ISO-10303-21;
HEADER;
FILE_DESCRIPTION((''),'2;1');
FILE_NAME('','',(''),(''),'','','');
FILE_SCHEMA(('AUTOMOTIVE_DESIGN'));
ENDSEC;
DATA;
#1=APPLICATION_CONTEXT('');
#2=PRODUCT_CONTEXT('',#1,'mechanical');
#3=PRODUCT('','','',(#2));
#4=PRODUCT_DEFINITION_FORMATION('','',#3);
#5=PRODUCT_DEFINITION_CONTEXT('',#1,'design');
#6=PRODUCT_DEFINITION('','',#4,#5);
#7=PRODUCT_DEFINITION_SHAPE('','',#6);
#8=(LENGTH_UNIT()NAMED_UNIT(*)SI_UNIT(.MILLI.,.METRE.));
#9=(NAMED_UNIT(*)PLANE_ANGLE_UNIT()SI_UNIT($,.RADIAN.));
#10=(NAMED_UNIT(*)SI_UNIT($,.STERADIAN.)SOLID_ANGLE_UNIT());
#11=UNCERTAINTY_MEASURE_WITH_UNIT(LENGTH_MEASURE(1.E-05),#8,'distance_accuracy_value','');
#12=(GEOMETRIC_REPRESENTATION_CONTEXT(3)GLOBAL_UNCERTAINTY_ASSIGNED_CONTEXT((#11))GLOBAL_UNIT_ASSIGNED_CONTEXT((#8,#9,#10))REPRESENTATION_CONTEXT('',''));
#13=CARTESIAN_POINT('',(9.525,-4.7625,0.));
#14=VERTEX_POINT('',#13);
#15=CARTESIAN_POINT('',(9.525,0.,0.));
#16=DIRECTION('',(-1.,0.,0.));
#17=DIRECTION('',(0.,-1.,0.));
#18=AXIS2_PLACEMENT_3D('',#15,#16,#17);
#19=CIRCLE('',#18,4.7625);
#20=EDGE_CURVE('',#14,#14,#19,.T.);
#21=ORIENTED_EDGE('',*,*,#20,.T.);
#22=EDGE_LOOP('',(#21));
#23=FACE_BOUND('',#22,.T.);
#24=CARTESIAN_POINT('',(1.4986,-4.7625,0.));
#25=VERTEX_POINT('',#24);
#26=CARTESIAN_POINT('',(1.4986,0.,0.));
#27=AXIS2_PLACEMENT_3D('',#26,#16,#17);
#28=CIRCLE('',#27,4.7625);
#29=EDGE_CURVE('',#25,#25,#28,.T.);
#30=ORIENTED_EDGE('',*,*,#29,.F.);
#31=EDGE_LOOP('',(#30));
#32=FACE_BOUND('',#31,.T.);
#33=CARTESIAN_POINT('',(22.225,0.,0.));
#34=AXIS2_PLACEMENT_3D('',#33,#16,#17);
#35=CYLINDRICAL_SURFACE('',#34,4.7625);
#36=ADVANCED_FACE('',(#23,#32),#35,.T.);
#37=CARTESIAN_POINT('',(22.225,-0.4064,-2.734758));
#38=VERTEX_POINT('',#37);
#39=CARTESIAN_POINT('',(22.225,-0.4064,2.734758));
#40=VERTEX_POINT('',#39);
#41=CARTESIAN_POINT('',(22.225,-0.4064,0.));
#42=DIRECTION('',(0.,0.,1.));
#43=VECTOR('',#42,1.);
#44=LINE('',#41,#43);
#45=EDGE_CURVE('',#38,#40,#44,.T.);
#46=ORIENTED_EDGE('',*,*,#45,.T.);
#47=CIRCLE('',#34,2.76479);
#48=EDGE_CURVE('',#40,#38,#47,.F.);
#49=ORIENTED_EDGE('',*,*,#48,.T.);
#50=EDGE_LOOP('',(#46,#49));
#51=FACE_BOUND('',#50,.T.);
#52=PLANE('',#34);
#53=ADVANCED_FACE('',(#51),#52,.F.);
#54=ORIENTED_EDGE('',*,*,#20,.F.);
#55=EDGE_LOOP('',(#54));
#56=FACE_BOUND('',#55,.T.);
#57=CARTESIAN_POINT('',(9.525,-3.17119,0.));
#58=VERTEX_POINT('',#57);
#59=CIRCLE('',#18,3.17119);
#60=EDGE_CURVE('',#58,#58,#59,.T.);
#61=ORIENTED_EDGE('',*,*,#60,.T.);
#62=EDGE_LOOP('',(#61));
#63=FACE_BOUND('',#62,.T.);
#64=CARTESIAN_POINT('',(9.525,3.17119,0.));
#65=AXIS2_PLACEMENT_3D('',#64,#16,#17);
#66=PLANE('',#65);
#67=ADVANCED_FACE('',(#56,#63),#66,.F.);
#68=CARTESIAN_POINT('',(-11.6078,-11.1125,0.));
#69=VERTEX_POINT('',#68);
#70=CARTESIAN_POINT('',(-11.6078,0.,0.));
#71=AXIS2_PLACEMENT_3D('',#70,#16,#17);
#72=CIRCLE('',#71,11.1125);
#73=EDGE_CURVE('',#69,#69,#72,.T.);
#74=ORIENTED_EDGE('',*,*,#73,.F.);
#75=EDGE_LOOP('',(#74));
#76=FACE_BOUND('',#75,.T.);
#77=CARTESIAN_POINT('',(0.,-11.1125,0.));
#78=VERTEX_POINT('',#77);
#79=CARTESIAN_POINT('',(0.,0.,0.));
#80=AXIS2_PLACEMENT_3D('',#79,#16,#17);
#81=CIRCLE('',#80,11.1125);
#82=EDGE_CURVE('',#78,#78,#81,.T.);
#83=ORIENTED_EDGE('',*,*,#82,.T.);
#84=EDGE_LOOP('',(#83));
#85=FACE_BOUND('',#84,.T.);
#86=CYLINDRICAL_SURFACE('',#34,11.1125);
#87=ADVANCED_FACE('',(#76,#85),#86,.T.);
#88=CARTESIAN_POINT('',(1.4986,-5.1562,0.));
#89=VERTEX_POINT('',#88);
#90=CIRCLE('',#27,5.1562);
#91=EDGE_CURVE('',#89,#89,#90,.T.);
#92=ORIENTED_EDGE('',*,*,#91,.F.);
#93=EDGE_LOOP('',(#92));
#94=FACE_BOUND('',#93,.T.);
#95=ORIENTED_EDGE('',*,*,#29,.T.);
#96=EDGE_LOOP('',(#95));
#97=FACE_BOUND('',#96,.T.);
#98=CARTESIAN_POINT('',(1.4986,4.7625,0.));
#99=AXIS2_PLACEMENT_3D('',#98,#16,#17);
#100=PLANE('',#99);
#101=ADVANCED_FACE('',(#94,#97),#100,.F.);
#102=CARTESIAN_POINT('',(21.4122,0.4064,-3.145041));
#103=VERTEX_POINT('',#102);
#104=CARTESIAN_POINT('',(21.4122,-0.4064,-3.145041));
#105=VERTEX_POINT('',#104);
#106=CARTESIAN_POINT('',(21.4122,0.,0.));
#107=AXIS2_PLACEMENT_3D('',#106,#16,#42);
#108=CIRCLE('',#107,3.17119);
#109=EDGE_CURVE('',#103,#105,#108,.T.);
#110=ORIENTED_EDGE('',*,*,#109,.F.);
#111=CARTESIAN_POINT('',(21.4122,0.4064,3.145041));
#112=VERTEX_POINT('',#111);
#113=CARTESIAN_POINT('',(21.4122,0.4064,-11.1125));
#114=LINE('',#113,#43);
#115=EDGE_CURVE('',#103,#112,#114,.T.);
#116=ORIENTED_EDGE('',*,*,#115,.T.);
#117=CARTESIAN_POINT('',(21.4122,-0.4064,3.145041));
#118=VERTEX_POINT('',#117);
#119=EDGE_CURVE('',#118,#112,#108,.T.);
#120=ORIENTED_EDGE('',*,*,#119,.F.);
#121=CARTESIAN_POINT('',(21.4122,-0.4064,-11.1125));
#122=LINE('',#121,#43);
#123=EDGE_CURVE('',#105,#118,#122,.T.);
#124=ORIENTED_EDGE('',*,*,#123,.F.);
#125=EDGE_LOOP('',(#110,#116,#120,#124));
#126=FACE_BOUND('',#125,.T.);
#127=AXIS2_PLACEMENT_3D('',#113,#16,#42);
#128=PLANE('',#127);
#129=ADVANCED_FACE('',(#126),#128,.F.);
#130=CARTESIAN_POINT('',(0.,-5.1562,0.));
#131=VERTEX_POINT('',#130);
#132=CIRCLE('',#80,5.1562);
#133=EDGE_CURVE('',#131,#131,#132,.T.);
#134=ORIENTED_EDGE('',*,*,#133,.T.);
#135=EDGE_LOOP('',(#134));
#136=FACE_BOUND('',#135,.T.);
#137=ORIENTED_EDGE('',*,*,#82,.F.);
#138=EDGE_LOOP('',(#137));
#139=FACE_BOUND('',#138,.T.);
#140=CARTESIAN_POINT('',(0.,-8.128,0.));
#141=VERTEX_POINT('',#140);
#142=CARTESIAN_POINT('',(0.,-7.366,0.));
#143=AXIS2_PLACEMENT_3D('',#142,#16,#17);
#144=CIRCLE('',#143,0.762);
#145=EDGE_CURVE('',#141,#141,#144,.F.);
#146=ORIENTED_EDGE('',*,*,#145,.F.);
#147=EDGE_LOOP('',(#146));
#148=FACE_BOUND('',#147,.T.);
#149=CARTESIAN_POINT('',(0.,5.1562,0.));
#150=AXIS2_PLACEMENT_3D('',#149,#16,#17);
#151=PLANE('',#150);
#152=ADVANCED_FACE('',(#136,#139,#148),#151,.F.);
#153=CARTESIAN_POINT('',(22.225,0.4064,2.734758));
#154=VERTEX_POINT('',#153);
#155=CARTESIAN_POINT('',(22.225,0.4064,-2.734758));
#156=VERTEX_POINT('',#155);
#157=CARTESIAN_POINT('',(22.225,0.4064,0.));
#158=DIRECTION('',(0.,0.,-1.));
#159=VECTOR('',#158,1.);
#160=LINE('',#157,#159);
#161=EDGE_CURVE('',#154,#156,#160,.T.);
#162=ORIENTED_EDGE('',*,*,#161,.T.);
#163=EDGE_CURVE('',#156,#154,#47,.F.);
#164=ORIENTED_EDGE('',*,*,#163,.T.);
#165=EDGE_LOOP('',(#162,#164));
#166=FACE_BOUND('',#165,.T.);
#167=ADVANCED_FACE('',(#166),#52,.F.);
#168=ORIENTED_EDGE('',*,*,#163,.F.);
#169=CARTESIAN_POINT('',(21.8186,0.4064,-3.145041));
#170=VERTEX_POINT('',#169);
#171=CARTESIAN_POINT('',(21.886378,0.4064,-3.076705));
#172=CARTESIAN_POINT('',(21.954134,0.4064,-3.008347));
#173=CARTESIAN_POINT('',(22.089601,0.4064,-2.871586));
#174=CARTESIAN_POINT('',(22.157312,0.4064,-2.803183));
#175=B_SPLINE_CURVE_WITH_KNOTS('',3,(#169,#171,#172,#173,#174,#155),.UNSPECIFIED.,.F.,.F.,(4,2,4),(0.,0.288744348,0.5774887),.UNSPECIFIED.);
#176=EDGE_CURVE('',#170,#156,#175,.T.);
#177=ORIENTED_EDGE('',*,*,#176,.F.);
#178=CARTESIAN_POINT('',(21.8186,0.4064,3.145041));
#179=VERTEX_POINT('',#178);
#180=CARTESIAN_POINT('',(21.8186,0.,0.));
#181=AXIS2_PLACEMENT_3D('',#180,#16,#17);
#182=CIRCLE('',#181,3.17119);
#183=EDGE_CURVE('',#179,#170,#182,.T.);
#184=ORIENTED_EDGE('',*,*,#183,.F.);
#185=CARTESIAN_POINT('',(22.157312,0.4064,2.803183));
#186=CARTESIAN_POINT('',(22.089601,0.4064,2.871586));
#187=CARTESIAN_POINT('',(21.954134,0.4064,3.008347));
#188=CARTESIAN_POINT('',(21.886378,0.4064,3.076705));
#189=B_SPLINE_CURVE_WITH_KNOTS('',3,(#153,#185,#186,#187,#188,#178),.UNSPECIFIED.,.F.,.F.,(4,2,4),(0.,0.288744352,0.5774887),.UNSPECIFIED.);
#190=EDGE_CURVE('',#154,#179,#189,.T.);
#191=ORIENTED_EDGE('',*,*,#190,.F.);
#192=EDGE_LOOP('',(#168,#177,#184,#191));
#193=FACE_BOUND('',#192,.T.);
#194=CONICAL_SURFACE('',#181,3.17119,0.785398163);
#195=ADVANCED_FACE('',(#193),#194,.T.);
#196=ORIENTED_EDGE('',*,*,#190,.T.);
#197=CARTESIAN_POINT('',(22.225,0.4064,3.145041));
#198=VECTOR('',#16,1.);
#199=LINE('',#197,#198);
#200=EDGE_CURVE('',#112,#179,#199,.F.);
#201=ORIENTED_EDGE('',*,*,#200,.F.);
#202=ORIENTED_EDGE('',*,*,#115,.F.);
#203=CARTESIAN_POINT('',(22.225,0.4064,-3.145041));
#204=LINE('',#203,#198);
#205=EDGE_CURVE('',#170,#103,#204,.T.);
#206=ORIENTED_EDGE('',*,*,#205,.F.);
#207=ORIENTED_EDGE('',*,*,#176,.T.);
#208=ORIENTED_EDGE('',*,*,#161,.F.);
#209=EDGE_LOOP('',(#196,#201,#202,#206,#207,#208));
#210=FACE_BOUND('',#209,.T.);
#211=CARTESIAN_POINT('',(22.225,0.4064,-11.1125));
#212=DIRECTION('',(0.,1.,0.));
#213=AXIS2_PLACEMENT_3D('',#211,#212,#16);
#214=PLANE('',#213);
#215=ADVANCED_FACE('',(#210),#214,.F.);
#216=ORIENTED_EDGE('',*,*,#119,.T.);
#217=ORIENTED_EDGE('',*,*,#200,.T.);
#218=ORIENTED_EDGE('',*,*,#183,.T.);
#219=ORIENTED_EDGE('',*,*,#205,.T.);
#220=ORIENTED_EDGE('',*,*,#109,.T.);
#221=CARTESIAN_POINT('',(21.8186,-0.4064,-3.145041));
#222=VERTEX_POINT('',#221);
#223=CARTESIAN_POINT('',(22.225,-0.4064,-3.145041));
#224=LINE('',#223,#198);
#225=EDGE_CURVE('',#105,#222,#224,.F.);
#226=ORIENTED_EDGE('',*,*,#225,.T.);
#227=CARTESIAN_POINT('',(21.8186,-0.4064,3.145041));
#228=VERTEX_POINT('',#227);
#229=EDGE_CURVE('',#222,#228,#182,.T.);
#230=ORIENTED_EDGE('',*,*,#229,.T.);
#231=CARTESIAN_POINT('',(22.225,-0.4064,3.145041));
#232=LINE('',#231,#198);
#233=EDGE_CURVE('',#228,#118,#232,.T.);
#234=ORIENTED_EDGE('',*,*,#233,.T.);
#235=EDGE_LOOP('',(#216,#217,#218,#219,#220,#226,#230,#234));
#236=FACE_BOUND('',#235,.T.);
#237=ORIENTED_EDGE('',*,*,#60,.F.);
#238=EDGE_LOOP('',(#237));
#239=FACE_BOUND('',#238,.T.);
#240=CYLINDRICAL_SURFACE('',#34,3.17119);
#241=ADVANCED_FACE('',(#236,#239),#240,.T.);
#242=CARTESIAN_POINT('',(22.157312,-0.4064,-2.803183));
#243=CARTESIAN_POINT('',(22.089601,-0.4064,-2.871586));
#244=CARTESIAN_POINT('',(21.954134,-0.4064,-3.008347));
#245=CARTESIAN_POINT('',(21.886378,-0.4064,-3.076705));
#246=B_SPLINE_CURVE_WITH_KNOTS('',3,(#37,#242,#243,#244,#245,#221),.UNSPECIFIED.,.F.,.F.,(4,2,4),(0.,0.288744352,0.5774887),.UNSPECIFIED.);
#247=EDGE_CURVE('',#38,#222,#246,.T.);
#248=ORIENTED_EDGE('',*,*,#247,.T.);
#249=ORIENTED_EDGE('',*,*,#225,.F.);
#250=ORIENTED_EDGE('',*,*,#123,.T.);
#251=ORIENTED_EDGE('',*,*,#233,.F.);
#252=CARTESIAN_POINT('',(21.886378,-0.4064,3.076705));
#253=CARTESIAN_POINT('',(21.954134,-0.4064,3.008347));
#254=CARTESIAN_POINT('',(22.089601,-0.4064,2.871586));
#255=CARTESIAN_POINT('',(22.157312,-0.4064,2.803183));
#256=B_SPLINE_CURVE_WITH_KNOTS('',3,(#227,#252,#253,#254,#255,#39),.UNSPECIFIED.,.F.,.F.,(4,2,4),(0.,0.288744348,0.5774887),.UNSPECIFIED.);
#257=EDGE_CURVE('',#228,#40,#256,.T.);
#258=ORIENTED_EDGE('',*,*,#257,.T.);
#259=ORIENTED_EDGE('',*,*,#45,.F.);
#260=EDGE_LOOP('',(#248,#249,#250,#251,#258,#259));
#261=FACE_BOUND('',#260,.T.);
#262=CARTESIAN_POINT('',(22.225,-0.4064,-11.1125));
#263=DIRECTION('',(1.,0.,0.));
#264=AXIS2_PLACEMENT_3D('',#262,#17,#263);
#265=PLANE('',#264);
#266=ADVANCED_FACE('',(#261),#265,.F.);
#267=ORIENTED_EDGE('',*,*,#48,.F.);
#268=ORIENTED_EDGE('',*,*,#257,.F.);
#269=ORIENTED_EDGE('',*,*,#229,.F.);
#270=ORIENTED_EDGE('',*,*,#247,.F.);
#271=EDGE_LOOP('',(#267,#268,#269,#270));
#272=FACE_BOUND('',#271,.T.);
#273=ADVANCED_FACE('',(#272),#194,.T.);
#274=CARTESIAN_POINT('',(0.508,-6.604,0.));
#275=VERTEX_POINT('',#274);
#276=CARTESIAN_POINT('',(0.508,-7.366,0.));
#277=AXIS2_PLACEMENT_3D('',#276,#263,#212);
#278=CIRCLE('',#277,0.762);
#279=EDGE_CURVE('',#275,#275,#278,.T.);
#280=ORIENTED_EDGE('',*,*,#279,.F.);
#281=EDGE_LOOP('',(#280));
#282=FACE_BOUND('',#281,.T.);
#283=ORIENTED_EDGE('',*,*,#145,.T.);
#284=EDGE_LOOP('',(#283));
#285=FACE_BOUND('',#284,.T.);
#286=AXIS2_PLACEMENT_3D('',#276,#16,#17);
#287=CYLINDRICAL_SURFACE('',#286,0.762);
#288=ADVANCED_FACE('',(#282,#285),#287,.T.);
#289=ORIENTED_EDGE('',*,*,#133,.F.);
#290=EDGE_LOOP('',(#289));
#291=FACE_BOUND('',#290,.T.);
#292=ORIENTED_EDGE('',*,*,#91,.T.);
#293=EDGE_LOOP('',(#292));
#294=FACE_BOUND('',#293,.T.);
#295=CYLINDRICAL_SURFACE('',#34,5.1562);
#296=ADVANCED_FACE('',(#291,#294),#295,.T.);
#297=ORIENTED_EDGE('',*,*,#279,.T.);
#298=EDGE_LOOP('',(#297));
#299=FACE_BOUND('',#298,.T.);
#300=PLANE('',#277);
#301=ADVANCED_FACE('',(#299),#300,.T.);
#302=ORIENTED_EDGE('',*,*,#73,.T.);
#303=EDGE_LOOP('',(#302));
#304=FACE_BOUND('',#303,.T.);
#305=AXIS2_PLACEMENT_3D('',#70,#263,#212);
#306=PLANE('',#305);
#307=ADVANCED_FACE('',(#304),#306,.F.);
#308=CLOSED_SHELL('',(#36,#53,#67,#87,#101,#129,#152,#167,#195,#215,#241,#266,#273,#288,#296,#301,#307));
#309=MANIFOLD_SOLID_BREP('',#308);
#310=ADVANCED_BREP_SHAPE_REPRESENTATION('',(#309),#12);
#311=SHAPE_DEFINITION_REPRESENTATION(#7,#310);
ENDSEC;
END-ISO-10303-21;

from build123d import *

# Parameters (mm, degrees)
SKETCH3_R               = 0.762
BOSS_EXTRUDE1_DEPTH     = 0.508
CUT_EXTRUDE1_DEPTH      = 28.219954767
CUT_EXTRUDE1_DEPTH_BACK = 28.219954767
SKETCH4_W               = 0.8128
SKETCH4_H               = 0.8128
CHAMFER1_SIZE           = 0.4064


with BuildPart() as part:
    # Sketch2 → Revolve1 (revolve)
    with BuildSketch(Plane.XY):
        Polygon((0, 0), (22.225, 0), (22.225, 3.17119), (9.525, 3.17119), (9.525, 4.7625), (1.4986, 4.7625), (1.4986, 5.1562), (0, 5.1562), (0, 11.1125), (-11.6078, 11.1125), (-11.6078, 0), align=None)
    revolve(axis=Axis((22.225, 0, 0), (1, 0, 0)))

    # Sketch3 → Boss-Extrude1 (add, symmetric)
    with BuildSketch(Plane(origin=(0, 0, 0), x_dir=(0, 0, -1), z_dir=(1, 0, 0))):
        with Locations((0, -7.366)):
            Circle(SKETCH3_R)
    extrude(amount=BOSS_EXTRUDE1_DEPTH, both=True)

    # Sketch4 → Cut-Extrude1 (cut, two sides: drawn at the far end of the back side and taken through both)
    with BuildSketch(Plane.XY.offset(-CUT_EXTRUDE1_DEPTH_BACK)):
        with Locations((21.8186, 0)):
            Rectangle(SKETCH4_W, SKETCH4_H)
    extrude(amount=CUT_EXTRUDE1_DEPTH + CUT_EXTRUDE1_DEPTH_BACK, mode=Mode.SUBTRACT)

    # Chamfer1
    chamfer1_edges = [part.edges().sort_by_distance(p)[0] for p in [
        (22.225, -3.17119, 0),
        (22.225, 2.381723917, 2.093761496),
    ]]
    chamfer(chamfer1_edges, length=CHAMFER1_SIZE)


solid = part.part
